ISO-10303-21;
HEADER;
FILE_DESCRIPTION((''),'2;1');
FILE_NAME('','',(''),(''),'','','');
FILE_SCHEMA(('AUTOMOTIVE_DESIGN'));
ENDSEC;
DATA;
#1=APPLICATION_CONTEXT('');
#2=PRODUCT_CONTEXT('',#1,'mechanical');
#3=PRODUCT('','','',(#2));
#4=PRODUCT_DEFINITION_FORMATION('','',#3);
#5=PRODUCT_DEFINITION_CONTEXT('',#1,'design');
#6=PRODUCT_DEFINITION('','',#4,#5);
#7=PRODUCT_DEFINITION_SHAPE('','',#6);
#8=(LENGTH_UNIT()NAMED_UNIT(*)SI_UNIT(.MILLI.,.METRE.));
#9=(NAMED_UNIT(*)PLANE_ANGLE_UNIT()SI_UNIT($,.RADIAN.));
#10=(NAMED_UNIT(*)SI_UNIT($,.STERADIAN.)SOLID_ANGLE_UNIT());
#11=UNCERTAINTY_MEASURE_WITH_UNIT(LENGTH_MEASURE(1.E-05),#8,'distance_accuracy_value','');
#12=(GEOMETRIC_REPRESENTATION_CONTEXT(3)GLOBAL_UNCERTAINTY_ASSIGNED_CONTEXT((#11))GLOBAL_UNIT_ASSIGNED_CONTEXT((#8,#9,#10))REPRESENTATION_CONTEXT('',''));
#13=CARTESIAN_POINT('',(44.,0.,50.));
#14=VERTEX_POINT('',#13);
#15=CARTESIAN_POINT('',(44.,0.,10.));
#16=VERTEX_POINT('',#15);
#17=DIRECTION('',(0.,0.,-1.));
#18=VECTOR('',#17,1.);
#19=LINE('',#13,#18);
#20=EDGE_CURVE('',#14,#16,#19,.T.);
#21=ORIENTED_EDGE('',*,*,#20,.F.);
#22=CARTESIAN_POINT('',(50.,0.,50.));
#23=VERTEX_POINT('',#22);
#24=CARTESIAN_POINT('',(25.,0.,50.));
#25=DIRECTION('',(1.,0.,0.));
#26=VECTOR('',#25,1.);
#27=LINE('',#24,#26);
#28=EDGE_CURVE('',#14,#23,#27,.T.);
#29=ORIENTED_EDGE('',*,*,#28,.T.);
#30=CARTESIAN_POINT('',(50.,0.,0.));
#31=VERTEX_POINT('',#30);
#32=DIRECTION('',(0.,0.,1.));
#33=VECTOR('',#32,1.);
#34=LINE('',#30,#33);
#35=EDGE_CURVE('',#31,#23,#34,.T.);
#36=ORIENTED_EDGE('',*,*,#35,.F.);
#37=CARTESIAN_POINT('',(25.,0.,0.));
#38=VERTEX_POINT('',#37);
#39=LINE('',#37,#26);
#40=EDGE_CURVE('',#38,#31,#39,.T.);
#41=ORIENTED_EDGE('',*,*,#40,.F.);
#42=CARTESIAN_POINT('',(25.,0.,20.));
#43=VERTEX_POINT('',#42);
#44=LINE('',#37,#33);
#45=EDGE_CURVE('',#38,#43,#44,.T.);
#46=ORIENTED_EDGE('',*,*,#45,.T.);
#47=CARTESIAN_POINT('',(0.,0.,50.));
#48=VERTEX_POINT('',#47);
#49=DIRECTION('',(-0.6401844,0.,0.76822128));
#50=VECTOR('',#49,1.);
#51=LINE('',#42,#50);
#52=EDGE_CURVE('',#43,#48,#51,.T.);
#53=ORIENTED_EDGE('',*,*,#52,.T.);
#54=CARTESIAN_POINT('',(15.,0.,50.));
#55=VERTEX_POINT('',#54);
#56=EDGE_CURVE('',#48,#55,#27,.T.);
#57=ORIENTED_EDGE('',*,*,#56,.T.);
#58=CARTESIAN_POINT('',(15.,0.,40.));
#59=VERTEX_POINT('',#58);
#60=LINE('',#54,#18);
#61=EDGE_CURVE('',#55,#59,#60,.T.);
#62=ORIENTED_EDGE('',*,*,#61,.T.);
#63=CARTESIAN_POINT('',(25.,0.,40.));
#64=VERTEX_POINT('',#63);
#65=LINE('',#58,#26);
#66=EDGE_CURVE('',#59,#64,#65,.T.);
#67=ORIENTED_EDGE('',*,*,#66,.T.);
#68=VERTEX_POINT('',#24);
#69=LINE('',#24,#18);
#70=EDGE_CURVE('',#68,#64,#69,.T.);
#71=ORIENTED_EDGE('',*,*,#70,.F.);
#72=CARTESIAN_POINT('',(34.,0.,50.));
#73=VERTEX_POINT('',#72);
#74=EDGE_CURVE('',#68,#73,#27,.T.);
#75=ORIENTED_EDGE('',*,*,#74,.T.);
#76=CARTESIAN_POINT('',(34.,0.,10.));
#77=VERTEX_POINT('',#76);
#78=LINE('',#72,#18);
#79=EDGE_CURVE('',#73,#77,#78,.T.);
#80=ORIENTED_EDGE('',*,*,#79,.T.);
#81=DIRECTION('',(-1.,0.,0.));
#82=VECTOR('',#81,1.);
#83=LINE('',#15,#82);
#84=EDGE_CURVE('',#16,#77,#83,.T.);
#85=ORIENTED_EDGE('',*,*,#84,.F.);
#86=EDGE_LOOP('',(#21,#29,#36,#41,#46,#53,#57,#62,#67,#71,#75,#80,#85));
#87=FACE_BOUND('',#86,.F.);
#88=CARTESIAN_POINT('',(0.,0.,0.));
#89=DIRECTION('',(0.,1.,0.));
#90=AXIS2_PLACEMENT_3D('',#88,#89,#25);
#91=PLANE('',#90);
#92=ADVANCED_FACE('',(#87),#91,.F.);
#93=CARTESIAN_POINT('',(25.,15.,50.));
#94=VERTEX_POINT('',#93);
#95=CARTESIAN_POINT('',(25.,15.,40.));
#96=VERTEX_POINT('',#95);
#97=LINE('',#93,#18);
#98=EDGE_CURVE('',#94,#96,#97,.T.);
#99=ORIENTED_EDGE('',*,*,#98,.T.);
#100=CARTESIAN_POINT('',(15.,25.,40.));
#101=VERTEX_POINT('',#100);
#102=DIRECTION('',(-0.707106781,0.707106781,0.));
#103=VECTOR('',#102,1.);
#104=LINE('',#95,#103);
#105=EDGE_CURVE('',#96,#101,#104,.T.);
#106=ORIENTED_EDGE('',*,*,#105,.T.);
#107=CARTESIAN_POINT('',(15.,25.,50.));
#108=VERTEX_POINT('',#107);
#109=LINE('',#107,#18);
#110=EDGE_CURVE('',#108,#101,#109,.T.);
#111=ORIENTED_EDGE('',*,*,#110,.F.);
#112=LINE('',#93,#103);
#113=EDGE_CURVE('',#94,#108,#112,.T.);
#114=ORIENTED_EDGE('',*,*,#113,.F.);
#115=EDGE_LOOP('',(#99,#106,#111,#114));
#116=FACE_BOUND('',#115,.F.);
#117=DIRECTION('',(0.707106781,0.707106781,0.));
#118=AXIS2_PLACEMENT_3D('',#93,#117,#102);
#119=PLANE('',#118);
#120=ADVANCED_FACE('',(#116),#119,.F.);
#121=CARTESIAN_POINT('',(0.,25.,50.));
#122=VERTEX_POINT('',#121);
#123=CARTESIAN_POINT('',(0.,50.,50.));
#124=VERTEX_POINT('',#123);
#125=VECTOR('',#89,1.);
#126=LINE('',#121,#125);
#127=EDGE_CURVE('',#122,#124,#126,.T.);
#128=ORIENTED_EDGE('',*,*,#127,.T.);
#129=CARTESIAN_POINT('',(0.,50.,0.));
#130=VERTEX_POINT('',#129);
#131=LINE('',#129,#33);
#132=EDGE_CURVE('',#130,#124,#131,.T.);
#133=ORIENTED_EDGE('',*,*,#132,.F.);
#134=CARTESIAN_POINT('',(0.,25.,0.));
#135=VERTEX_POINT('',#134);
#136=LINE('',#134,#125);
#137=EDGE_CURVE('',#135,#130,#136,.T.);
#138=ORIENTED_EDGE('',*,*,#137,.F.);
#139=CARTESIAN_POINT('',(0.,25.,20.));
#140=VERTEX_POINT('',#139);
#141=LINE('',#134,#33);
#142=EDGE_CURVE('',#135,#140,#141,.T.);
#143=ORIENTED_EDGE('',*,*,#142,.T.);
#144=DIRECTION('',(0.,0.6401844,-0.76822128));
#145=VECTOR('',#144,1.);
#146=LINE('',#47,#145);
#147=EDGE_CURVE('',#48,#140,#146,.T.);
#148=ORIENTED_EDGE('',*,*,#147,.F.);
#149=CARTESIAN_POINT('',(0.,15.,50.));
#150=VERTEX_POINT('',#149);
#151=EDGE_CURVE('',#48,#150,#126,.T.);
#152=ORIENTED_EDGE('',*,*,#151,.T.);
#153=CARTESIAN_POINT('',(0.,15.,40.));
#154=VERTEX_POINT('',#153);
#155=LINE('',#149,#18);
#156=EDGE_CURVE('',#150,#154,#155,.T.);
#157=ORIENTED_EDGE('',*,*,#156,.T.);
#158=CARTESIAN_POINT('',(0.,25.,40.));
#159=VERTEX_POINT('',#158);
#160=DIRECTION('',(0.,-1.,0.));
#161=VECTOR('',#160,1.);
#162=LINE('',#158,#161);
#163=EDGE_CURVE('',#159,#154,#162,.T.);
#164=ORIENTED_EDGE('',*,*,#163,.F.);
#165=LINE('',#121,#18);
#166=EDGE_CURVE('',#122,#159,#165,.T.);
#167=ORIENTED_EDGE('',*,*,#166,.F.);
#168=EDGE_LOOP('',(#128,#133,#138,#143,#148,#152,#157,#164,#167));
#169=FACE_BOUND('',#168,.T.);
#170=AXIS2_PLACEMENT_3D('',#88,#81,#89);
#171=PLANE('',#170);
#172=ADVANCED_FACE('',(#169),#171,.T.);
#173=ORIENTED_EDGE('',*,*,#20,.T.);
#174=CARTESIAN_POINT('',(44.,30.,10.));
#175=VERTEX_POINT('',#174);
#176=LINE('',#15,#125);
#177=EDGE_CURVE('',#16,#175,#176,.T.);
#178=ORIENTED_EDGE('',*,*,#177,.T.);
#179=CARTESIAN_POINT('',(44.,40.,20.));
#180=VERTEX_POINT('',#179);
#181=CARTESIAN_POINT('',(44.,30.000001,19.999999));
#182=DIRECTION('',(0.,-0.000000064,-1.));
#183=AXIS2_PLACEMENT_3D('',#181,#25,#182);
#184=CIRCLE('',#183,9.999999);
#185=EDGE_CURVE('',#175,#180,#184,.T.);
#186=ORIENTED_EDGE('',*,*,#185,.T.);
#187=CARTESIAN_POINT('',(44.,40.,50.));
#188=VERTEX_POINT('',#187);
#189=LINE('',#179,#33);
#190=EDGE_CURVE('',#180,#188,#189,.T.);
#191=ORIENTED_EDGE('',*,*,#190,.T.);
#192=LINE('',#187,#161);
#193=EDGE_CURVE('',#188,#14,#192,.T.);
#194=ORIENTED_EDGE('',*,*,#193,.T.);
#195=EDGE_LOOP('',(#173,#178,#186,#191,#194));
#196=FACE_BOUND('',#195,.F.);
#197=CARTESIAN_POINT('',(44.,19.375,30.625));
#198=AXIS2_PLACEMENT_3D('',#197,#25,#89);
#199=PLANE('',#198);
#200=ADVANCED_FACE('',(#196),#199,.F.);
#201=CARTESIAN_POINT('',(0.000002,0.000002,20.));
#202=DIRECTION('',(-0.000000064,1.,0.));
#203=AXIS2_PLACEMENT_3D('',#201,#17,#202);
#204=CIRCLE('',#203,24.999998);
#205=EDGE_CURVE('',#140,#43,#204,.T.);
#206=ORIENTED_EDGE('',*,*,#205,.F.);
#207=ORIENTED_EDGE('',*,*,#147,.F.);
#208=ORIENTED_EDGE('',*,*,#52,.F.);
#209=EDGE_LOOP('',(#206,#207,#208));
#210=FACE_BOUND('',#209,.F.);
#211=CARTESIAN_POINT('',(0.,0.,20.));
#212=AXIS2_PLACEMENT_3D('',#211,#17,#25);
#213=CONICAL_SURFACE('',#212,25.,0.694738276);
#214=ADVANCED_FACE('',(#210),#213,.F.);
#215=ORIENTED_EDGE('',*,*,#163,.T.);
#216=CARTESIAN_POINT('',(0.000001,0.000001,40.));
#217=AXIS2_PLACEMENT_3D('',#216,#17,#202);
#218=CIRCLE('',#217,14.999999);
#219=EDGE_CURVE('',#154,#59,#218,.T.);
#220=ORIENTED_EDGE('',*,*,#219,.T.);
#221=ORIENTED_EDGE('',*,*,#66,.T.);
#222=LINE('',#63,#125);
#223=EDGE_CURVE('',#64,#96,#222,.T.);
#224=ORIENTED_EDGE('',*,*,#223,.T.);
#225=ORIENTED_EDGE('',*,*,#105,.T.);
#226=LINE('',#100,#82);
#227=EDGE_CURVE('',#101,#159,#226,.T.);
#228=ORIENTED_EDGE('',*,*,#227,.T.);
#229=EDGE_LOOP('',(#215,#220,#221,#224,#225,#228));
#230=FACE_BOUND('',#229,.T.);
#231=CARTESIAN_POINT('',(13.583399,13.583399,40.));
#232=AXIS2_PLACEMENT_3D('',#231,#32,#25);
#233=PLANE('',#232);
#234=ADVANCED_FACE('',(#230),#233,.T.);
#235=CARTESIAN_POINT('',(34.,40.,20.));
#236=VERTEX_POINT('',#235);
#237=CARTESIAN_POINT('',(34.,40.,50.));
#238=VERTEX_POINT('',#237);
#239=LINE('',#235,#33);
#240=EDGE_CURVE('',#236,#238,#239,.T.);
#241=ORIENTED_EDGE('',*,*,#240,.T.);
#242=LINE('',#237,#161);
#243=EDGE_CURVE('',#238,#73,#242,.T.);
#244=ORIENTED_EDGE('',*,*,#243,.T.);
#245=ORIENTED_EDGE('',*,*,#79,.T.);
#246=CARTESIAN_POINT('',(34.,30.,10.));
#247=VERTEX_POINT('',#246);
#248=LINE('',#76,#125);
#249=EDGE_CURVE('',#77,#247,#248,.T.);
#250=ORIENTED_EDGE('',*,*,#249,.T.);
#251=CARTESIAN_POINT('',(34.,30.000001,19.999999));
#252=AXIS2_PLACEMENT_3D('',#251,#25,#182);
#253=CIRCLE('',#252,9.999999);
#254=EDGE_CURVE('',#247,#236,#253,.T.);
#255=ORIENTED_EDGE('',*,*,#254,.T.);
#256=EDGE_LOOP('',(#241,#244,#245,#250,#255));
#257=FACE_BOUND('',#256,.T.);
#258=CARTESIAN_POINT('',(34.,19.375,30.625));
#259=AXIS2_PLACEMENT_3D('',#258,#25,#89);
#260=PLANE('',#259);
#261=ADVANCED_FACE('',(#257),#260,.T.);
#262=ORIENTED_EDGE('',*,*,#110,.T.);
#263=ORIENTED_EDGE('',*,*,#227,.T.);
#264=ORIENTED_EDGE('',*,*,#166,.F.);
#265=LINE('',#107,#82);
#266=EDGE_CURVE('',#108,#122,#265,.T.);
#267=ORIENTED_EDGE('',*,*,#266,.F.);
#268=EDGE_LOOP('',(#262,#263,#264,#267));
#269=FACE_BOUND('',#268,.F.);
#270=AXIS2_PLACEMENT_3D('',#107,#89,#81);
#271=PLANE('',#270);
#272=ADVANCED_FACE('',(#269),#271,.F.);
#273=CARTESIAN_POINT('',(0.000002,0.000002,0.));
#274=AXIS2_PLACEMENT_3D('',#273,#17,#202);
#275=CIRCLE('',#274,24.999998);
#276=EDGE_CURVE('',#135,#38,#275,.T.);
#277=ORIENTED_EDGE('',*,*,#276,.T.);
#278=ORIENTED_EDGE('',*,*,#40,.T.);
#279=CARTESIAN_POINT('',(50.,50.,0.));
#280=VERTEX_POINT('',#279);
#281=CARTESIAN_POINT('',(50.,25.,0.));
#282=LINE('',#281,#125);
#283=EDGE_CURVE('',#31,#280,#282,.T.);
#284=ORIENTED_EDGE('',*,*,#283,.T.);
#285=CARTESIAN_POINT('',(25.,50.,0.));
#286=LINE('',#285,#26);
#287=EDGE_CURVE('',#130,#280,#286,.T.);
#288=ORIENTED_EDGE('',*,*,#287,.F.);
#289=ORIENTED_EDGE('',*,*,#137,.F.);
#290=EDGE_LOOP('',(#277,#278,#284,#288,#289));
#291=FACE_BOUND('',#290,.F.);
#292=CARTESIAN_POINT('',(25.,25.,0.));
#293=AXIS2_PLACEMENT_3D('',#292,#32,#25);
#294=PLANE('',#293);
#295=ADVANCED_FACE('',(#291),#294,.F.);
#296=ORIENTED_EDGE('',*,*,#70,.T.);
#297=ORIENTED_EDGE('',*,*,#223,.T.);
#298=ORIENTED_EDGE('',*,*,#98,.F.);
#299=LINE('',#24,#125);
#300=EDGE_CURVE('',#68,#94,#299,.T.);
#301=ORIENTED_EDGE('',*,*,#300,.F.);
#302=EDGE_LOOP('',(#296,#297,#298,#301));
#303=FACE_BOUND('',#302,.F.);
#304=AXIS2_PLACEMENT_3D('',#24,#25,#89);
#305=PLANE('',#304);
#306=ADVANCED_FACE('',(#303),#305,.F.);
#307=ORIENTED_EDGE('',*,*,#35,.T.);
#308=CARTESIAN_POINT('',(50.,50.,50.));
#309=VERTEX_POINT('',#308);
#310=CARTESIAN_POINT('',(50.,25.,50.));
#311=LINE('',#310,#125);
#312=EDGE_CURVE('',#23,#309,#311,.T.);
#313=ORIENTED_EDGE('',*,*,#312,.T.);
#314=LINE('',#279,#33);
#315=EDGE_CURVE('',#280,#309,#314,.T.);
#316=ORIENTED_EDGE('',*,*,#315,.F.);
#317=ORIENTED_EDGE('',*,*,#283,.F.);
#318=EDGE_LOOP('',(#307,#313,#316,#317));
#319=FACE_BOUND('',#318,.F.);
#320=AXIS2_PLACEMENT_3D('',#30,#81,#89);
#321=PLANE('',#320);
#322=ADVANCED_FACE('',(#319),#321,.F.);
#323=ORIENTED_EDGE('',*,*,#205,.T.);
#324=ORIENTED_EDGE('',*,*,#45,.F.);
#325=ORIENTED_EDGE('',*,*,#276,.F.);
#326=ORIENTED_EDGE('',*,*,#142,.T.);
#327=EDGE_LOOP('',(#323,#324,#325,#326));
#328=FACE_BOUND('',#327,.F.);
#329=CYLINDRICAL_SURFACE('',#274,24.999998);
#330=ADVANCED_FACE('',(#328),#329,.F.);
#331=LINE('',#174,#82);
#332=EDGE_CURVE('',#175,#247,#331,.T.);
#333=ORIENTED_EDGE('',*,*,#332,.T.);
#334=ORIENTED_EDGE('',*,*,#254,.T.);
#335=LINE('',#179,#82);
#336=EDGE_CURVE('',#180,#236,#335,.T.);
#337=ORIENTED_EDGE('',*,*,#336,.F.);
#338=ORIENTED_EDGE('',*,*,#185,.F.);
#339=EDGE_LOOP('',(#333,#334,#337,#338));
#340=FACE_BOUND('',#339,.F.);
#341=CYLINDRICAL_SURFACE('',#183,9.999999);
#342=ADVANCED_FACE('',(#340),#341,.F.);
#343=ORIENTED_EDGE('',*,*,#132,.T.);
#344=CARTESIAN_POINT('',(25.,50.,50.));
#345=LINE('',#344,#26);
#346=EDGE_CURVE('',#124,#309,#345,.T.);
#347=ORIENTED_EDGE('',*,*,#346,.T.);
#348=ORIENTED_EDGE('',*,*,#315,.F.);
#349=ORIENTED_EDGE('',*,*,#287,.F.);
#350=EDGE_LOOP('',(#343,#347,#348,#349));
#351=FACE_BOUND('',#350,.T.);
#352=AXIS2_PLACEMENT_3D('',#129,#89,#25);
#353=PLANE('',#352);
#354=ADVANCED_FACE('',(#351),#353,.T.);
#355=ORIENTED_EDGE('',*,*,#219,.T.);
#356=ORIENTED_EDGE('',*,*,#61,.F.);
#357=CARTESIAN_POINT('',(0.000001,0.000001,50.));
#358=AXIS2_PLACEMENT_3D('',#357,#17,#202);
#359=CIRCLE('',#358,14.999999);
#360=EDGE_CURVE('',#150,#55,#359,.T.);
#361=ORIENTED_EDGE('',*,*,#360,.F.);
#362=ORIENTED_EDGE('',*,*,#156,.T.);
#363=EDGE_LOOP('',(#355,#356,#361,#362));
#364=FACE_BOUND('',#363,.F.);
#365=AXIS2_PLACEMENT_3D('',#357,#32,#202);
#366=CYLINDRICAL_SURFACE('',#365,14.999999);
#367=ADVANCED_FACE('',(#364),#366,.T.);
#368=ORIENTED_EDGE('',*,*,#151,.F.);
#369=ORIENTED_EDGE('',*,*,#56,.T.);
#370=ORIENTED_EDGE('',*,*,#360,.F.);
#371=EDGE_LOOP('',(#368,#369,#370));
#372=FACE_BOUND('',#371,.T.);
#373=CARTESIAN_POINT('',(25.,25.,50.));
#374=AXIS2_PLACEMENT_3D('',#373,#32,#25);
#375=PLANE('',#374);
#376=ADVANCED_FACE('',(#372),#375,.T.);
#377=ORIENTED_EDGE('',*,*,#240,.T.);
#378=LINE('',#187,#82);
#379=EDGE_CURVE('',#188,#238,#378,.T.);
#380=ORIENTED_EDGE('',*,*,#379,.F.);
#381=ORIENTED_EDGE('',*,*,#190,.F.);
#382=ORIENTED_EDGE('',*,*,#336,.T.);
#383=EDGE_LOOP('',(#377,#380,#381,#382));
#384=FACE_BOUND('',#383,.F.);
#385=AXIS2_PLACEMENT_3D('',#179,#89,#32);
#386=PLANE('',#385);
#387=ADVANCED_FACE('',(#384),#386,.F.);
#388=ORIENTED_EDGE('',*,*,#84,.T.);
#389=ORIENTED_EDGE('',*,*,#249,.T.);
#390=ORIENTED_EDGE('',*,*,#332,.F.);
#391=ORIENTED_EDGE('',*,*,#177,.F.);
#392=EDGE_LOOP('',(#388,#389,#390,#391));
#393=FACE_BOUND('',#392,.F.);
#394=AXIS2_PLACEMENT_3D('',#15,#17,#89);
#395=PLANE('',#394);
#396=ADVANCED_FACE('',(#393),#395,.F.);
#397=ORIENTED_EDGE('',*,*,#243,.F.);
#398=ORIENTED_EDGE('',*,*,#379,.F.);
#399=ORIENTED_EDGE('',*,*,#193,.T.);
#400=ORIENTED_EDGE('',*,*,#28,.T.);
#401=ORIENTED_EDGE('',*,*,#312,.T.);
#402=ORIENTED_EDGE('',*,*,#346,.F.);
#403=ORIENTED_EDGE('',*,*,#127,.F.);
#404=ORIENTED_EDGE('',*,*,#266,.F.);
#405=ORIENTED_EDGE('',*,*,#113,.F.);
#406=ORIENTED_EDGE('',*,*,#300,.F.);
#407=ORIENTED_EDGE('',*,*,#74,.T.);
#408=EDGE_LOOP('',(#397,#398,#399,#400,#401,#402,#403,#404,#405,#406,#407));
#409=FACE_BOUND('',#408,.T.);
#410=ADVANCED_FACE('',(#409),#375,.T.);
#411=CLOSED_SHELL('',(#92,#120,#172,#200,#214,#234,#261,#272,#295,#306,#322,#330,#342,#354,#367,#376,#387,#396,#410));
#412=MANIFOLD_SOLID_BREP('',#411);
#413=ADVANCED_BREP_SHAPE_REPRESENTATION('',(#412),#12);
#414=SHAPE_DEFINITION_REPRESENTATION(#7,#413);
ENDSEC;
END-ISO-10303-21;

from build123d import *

# Parameters (mm, degrees)
F0_W      = 50
F0_H      = 50
F1_DEPTH  = 50
F3_DEPTH  = 10
F5_DEPTH  = 20
F12_DEPTH = 10


with BuildPart() as f1:
    # F0 (on Top) → F1 (new body)
    with BuildSketch(Plane.XY):
        with Locations((25, 25)):
            Rectangle(F0_W, F0_H)
    extrude(amount=F1_DEPTH)

    # F2 (on face) → F3 (cut)
    with BuildSketch(Plane.XY.offset(50)):
        with BuildLine():
            ThreePointArc((0, 15), (-10.606602, -10.606602), (15, 0))
            Line((15, 0), (0, 0))
            Line((0, 0), (0, 15))
        make_face()
        with BuildLine():
            ThreePointArc((0, 15), (10.606602, 10.606602), (15, 0))
            Line((15, 0), (25, 0))
            Line((25, 0), (25, 15))
            Line((25, 15), (15, 25))
            Line((15, 25), (0, 25))
            Line((0, 25), (0, 15))
        make_face()
    extrude(amount=-F3_DEPTH, mode=Mode.SUBTRACT)

    # F4 (on face) → F5 (cut)
    with BuildSketch(Plane(origin=(0, 0, 0), x_dir=(1, 0, 0), z_dir=(0, 0, -1))):
        with BuildLine():
            Line((0, -25), (0, 0))
            Line((0, 0), (25, 0))
            ThreePointArc((25, 0), (-17.67767, 17.67767), (0, -25))
        make_face()
        with BuildLine():
            Line((25, 0), (0, 0))
            Line((0, 0), (0, -25))
            ThreePointArc((0, -25), (17.67767, -17.67767), (25, 0))
        make_face()
    extrude(amount=-F5_DEPTH, mode=Mode.SUBTRACT)

    # F7 (on face) + F6 (on face) → F8 (revolve, cut)
    with BuildSketch(Plane.XZ):
        Polygon((25, 20), (0, 50), (0, 20), align=None)
    with BuildSketch(Plane(origin=(0, 0, 0), x_dir=(0, -1, 0), z_dir=(-1, 0, 0))):
        Polygon((0, 20), (0, 50), (-25, 20), align=None)
    revolve(axis=Axis((0, 0, 25), (0, 0, 1)), mode=Mode.SUBTRACT)

    # F11 (on offset) → F12 (cut)
    with BuildSketch(Plane.YZ.offset(44)):
        Polygon((30, 10), (30, 20), (40, 20), (40, 50), (0, 50), (0, 10), align=None)
        with BuildLine():
            Line((40, 20), (30, 20))
            Line((30, 20), (30, 10))
            ThreePointArc((30, 10), (37.071068, 12.928932), (40, 20))
        make_face()
    extrude(amount=-F12_DEPTH, mode=Mode.SUBTRACT)


solid = f1.part
